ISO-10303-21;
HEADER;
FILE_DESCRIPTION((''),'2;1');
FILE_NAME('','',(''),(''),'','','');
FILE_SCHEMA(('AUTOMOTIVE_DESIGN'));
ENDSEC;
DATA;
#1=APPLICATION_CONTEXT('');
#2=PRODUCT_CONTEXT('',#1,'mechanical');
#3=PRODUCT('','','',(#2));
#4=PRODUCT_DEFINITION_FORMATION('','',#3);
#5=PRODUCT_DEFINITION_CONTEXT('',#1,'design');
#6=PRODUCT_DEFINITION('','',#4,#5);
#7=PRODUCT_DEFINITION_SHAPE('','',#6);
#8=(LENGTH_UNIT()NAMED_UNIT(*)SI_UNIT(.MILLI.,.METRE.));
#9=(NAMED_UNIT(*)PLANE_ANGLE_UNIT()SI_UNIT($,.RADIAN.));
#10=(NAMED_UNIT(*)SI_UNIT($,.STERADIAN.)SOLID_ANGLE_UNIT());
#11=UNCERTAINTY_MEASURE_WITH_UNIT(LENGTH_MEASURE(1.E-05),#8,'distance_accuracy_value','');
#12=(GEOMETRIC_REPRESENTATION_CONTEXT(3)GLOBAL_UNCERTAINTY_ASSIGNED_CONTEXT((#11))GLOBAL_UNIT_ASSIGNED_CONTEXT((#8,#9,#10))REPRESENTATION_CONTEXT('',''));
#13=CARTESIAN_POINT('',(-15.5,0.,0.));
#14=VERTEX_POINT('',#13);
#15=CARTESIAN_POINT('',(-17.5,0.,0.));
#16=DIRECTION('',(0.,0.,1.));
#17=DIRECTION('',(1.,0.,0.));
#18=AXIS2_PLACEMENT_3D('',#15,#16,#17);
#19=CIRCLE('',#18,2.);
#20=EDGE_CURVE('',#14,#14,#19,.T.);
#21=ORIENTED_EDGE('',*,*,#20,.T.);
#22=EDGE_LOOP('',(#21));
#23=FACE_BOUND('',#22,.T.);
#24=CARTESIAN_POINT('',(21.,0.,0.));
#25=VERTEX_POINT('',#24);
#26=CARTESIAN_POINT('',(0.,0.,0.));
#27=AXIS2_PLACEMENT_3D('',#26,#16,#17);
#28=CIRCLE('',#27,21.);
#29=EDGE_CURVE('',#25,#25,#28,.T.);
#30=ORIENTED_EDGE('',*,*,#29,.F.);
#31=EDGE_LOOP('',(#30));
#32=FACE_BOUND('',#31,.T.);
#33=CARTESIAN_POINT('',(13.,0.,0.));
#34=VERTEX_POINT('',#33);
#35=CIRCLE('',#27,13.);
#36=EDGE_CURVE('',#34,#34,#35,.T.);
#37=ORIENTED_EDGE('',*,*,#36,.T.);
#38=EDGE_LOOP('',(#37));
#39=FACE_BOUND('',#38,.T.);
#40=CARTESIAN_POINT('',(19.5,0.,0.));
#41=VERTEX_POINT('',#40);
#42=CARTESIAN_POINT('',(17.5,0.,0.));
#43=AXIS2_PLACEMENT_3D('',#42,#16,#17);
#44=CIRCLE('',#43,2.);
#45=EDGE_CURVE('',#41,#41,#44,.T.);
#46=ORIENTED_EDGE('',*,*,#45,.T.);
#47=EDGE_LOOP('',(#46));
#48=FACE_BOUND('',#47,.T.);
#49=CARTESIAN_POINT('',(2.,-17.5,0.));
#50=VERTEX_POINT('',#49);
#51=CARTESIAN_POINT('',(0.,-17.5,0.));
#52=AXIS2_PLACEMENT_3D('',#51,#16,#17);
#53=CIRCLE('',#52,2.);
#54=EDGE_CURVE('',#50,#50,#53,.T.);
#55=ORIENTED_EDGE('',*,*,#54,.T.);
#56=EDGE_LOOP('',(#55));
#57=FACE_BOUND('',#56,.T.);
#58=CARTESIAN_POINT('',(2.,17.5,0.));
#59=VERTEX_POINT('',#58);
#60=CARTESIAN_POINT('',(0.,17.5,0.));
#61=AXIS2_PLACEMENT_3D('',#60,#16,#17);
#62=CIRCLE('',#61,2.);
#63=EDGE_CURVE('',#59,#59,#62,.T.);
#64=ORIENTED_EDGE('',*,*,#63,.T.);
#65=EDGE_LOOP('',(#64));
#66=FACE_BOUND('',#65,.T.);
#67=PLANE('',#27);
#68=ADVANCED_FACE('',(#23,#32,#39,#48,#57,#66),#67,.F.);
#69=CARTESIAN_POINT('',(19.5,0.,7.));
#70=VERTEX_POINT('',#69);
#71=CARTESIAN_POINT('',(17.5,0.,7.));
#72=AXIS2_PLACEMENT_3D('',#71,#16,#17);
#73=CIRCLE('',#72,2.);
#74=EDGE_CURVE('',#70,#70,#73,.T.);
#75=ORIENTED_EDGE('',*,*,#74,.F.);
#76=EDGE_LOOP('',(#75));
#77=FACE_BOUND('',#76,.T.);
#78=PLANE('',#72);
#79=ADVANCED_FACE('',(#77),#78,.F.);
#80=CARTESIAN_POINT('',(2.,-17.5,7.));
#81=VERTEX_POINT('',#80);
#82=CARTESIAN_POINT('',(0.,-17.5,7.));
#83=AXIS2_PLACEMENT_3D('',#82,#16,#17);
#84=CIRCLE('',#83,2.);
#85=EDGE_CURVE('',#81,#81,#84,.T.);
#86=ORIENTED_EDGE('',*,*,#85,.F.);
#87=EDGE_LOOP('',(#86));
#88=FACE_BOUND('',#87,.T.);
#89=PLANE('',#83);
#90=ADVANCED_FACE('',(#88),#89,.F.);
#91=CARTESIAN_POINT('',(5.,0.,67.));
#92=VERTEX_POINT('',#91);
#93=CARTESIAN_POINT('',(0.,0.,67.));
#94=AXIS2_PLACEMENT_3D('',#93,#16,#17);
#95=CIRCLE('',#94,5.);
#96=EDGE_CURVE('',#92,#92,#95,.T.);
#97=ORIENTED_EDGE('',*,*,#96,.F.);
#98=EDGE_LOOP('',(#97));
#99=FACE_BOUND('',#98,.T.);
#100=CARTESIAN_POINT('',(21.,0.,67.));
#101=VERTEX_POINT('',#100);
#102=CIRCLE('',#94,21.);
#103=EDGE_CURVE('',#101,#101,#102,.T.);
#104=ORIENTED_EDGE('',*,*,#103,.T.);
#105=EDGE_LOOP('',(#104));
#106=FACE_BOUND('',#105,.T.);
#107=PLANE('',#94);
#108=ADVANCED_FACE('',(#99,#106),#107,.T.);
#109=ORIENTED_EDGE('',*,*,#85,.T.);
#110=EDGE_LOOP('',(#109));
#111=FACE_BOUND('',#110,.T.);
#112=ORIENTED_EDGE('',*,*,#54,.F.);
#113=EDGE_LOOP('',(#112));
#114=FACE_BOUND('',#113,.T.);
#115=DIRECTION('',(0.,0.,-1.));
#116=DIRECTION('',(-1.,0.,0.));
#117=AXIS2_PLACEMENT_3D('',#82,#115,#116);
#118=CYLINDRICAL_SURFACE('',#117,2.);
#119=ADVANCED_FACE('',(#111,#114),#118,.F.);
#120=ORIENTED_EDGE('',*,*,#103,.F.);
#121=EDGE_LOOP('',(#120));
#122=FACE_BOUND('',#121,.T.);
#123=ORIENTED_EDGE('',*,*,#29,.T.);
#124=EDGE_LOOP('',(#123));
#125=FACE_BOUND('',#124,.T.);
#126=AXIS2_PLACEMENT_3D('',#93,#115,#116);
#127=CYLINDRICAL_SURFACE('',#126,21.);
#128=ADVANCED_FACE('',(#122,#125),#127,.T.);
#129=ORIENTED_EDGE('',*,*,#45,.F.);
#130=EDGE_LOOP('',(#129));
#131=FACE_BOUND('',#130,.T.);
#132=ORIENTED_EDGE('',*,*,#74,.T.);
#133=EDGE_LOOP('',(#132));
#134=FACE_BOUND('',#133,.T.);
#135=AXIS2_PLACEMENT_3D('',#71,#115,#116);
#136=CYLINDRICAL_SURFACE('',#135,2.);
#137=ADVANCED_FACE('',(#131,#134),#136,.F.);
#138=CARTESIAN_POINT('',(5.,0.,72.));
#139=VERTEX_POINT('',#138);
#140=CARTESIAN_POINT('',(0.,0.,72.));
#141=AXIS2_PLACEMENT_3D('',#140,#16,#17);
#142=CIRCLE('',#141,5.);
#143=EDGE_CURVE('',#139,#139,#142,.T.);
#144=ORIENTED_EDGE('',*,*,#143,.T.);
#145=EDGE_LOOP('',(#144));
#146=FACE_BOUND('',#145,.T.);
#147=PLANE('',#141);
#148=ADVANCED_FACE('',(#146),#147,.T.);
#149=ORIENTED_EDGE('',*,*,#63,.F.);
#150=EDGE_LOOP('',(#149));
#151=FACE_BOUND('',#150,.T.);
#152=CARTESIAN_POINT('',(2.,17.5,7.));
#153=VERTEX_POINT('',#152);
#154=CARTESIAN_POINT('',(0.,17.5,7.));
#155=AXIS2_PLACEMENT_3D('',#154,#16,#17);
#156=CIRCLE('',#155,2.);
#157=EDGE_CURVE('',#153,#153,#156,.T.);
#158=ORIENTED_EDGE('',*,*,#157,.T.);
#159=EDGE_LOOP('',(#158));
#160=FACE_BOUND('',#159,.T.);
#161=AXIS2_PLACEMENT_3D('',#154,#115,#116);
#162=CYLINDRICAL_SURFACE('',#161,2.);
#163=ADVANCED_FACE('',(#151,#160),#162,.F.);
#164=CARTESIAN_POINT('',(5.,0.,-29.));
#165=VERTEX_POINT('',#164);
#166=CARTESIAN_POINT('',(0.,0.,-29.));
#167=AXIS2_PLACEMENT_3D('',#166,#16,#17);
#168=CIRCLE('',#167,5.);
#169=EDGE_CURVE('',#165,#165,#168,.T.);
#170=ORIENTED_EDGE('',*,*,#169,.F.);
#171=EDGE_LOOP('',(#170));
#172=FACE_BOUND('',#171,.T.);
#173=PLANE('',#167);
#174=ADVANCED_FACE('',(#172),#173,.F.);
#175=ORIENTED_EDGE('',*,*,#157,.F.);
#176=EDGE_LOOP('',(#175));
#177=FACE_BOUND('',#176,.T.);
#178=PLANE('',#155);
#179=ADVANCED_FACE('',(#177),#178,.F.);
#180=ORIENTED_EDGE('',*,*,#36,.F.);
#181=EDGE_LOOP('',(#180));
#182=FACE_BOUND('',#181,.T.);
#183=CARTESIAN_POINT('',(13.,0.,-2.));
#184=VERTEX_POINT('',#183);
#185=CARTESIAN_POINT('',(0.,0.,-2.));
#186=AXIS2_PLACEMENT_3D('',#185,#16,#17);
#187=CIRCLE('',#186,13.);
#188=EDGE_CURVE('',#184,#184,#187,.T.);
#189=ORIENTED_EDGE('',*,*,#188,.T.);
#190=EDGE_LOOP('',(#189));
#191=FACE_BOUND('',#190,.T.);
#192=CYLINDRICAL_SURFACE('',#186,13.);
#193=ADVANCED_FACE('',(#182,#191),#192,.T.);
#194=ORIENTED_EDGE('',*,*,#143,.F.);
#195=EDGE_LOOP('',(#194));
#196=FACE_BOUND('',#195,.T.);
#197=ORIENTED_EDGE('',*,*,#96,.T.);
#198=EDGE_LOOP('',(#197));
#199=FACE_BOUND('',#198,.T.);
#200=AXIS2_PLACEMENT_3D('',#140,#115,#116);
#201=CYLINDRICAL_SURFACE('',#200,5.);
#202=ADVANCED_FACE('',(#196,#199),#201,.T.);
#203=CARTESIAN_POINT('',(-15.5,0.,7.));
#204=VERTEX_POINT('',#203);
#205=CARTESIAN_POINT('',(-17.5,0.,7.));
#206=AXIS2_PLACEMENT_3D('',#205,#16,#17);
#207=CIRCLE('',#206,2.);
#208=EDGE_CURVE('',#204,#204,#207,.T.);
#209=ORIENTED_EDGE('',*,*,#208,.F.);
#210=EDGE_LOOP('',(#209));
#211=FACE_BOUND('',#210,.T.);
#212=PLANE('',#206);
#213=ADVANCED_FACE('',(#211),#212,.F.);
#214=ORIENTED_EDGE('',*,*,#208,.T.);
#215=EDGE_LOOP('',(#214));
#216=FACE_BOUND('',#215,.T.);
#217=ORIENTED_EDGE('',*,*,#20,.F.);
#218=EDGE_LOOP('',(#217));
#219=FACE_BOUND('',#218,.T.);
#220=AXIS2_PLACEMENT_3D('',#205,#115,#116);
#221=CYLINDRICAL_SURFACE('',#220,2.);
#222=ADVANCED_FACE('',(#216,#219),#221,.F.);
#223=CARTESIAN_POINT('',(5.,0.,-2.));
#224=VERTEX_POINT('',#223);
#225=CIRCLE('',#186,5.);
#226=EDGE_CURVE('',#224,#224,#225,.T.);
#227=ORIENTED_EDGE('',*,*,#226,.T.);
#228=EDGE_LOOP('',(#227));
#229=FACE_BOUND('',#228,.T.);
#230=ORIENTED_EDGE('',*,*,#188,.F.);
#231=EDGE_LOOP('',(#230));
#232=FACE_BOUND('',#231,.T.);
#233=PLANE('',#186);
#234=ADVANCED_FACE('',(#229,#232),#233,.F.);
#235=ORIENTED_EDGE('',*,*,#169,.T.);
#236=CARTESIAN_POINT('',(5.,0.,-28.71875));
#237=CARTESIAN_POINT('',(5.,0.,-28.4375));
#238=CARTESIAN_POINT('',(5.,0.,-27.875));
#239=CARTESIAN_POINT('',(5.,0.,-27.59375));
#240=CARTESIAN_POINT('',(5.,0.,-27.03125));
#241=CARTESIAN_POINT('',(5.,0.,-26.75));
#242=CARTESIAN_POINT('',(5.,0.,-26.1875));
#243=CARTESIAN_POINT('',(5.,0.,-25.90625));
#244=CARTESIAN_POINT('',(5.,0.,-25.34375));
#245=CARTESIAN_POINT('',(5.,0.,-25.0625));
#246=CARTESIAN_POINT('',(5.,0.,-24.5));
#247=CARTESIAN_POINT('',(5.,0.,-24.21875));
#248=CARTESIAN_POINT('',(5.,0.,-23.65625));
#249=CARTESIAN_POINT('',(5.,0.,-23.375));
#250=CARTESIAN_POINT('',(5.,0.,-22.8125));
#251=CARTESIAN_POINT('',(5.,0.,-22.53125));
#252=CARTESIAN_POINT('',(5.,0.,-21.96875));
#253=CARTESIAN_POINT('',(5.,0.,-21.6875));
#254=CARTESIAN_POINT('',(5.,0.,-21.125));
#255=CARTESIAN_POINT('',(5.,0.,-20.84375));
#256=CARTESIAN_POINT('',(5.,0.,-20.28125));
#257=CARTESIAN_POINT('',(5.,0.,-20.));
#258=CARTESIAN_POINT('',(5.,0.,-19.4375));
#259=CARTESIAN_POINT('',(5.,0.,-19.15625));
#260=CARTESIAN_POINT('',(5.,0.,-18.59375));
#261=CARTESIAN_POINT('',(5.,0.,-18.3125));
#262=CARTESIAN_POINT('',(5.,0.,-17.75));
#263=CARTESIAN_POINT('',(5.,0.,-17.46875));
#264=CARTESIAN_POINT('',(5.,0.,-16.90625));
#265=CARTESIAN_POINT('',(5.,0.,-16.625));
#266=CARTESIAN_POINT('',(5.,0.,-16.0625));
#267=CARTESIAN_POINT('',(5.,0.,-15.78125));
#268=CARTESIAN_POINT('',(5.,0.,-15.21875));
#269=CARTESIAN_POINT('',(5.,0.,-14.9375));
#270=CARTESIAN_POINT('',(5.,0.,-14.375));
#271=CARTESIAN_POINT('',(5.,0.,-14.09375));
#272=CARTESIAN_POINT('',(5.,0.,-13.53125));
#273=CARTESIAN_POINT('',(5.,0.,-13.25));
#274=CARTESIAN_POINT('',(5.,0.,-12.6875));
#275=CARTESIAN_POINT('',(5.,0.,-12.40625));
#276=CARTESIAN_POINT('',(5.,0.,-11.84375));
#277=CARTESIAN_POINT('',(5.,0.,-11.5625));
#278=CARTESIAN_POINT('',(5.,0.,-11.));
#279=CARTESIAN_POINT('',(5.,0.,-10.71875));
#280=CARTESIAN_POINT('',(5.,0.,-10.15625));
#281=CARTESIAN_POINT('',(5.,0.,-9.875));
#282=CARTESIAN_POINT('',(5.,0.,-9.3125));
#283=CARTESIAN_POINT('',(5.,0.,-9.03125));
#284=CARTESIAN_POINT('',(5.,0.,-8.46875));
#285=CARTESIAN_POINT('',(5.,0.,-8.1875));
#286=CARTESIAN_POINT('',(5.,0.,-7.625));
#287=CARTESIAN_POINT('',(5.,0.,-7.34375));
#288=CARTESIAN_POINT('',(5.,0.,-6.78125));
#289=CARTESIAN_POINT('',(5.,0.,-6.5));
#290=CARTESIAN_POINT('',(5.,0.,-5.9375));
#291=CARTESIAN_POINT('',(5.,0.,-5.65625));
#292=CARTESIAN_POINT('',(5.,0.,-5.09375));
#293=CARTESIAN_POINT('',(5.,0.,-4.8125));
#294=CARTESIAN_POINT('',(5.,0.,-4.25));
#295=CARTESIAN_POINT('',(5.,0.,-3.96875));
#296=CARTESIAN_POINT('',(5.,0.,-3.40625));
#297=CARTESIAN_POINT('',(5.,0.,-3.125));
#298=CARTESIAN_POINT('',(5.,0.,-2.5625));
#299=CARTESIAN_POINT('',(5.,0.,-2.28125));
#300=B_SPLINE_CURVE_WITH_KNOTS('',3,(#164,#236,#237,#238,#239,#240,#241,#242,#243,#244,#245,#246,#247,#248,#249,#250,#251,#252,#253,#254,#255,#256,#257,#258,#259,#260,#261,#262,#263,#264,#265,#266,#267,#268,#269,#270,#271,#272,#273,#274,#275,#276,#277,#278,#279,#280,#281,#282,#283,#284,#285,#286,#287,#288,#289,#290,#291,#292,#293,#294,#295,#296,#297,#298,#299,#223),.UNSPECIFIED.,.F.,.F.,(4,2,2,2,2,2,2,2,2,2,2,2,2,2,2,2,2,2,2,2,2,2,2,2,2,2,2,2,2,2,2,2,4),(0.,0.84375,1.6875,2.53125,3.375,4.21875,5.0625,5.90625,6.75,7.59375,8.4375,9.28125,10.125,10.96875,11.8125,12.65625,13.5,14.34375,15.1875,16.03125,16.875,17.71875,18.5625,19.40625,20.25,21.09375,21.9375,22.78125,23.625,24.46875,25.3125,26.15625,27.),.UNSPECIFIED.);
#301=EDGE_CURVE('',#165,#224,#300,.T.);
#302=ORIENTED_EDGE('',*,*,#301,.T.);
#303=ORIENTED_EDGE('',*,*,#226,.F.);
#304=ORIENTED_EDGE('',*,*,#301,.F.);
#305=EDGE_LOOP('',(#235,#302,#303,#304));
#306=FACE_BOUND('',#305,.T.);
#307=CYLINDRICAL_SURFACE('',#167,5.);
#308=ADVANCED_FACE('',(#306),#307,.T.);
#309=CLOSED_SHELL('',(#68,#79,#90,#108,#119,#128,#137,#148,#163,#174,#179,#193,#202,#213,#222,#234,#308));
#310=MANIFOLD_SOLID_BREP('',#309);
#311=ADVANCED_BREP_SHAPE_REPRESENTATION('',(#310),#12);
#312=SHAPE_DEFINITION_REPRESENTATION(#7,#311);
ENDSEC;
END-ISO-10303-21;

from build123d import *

# Parameters (mm, degrees)
SKETCH_1_R          = 21
EXTRUDE_1_DEPTH     = 67
SKETCH_3_R          = 13
EXTRUDE_3_DEPTH     = 2
SKETCH_4_R          = 5
EXTRUDE_4_DEPTH     = 29
SKETCH_5_R          = 2.016017639
SKETCH_5_R_2        = 2.040158569
SKETCH_5_R_3        = 1.937096917
SKETCH_5_R_4        = 2
SKETCH_5_R_5        = 4.5
EXTRUDE_5_DEPTH     = 0.7
EXTRUDE_START       = 5
SKETCH_7_R          = 5
EXTRUDE_6_DEPTH     = 5
SKETCH_6_R          = 2
CUT_EXTRUDE_1_DEPTH = 7


with BuildPart() as part:
    # 草图1 → 凸台-拉伸1 (new body)
    with BuildSketch(Plane.XY):
        Circle(SKETCH_1_R)
    extrude(amount=EXTRUDE_1_DEPTH)

    # 草图3 → 凸台-拉伸3 (add)
    with BuildSketch(Plane.XY):
        Circle(SKETCH_3_R)
    extrude(amount=-EXTRUDE_3_DEPTH)

    # 草图4 → 凸台-拉伸4 (add)
    with BuildSketch(Plane.XY):
        Circle(SKETCH_4_R)
    extrude(amount=-EXTRUDE_4_DEPTH)

    # 草图5 → 凸台-拉伸5 (add)
    with BuildSketch(Plane.XY):
        with Locations((17.5, 0)):
            Circle(SKETCH_5_R)
        with Locations((0, -17.5)):
            Circle(SKETCH_5_R_2)
        with Locations((-17.5, 0)):
            Circle(SKETCH_5_R_3)
        with Locations((0, 17.5)):
            Circle(SKETCH_5_R_4)
        with Locations((12.557158291, 12.188838159)):
            Circle(SKETCH_5_R_4)
        with Locations((-12.557158291, 12.188838159)):
            Circle(SKETCH_5_R_4)
        with Locations((-12.557158291, -12.188838159)):
            Circle(SKETCH_5_R_4)
        with Locations((12.557158291, -12.188838159)):
            Circle(SKETCH_5_R_4)
        Circle(SKETCH_5_R_5)
    extrude(amount=EXTRUDE_5_DEPTH)

    # 草图7 → 凸台-拉伸6 (add)
    with BuildSketch(Plane.XY.offset(67).offset(EXTRUDE_START)):
        Circle(SKETCH_7_R)
    extrude(amount=-EXTRUDE_6_DEPTH)

    # 草图6 → 切除-拉伸1 (cut)
    with BuildSketch(Plane.XY):
        with Locations((-17.5, 0)):
            Circle(SKETCH_6_R)
        with Locations((17.5, 0)):
            Circle(SKETCH_6_R)
        with Locations((0, 17.5)):
            Circle(SKETCH_6_R)
        with Locations((0, -17.5)):
            Circle(SKETCH_6_R)
    extrude(amount=CUT_EXTRUDE_1_DEPTH, mode=Mode.SUBTRACT)


solid = part.part
